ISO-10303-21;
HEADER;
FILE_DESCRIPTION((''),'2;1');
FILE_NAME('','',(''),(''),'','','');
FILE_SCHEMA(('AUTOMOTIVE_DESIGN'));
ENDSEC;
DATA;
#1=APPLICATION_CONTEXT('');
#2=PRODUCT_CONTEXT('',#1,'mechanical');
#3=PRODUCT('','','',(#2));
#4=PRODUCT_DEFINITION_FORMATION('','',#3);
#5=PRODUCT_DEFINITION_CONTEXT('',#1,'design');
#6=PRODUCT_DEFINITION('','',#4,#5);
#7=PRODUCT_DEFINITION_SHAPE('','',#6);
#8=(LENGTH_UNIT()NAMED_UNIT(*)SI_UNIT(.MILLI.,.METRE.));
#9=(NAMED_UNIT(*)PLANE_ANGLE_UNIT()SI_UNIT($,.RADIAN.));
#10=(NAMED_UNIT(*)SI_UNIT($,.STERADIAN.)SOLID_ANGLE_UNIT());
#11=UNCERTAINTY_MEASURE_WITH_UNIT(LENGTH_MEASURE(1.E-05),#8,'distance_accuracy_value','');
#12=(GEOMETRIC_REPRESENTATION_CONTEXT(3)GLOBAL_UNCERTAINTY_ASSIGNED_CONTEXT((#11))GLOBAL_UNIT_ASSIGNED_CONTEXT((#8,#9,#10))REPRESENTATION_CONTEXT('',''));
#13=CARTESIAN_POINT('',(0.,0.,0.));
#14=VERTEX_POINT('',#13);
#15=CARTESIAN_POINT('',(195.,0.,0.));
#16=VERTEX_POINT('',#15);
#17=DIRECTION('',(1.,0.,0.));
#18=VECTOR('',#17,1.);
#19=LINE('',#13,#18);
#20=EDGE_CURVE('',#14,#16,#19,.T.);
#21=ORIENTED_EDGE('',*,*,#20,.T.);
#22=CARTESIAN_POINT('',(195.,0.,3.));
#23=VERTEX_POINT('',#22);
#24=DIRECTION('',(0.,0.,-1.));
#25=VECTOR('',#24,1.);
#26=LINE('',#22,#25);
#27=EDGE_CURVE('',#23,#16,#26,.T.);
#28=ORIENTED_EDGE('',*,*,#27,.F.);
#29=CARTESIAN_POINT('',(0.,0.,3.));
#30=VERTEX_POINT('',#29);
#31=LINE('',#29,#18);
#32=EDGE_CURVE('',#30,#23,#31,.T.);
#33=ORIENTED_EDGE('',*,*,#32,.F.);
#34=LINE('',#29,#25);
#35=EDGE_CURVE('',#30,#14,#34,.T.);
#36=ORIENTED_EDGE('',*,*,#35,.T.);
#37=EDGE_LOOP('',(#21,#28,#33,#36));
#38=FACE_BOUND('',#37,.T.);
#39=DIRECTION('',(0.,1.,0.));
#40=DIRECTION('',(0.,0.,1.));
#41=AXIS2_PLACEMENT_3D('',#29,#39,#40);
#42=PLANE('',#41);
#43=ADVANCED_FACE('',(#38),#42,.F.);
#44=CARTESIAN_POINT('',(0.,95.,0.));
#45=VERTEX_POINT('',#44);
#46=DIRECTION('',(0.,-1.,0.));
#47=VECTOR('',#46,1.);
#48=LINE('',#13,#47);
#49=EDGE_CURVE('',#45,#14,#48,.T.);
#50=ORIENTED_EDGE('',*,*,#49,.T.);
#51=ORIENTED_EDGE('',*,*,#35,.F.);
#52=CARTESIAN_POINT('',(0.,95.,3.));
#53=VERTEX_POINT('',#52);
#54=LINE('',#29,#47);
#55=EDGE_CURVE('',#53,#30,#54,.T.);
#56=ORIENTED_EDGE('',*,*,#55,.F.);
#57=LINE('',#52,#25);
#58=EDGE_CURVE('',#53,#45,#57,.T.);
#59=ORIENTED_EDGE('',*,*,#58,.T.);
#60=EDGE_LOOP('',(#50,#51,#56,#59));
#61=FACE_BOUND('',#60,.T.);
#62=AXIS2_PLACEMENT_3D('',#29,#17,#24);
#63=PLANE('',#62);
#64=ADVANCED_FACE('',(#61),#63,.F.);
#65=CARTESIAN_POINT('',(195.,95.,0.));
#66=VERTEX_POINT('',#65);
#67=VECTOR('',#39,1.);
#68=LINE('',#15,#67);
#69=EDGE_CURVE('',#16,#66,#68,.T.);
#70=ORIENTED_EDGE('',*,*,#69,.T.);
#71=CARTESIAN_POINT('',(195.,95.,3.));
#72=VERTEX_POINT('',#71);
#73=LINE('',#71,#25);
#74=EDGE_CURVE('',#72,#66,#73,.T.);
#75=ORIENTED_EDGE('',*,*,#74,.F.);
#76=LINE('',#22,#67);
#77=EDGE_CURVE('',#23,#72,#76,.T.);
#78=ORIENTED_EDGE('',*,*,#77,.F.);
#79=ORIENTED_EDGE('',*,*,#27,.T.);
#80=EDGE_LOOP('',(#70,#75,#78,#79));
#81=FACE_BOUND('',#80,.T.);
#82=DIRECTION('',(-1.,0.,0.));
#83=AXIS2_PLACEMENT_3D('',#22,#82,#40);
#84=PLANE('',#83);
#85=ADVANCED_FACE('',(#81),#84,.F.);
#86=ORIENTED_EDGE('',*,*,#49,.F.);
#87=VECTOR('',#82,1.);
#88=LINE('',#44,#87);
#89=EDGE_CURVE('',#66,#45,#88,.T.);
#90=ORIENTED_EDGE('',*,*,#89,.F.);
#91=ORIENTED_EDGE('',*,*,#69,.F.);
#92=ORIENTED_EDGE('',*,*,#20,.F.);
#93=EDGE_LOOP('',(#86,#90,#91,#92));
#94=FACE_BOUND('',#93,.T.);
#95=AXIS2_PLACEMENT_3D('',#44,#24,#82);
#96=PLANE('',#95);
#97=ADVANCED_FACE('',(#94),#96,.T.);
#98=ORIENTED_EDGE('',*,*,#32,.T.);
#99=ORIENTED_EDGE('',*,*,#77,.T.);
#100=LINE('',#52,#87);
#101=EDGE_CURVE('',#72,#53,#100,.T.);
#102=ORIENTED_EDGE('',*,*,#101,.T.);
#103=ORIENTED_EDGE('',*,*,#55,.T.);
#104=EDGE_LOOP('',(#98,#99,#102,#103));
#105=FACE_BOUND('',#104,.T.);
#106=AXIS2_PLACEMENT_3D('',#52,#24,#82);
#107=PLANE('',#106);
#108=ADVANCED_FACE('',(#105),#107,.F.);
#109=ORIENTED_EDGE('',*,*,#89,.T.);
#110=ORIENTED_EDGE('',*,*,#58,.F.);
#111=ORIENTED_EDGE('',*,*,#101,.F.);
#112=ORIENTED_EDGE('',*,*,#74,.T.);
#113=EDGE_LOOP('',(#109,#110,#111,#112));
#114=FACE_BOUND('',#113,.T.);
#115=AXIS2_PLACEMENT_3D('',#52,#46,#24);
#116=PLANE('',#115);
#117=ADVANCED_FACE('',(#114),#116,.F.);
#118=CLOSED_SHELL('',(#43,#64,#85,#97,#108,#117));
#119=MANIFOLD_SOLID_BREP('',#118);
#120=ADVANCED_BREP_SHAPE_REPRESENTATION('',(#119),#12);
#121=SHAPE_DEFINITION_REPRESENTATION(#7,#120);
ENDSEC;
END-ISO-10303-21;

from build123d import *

# Parameters (mm, degrees)
ESQUISSE1_W        = 195
ESQUISSE1_H        = 95
BOSS_EXTRU_1_DEPTH = 3


with BuildPart() as part:
    # Esquisse1 → Boss.-Extru.1 (new body)
    with BuildSketch(Plane.XY):
        with Locations((97.5, 47.5)):
            Rectangle(ESQUISSE1_W, ESQUISSE1_H)
    extrude(amount=BOSS_EXTRU_1_DEPTH)


solid = part.part
